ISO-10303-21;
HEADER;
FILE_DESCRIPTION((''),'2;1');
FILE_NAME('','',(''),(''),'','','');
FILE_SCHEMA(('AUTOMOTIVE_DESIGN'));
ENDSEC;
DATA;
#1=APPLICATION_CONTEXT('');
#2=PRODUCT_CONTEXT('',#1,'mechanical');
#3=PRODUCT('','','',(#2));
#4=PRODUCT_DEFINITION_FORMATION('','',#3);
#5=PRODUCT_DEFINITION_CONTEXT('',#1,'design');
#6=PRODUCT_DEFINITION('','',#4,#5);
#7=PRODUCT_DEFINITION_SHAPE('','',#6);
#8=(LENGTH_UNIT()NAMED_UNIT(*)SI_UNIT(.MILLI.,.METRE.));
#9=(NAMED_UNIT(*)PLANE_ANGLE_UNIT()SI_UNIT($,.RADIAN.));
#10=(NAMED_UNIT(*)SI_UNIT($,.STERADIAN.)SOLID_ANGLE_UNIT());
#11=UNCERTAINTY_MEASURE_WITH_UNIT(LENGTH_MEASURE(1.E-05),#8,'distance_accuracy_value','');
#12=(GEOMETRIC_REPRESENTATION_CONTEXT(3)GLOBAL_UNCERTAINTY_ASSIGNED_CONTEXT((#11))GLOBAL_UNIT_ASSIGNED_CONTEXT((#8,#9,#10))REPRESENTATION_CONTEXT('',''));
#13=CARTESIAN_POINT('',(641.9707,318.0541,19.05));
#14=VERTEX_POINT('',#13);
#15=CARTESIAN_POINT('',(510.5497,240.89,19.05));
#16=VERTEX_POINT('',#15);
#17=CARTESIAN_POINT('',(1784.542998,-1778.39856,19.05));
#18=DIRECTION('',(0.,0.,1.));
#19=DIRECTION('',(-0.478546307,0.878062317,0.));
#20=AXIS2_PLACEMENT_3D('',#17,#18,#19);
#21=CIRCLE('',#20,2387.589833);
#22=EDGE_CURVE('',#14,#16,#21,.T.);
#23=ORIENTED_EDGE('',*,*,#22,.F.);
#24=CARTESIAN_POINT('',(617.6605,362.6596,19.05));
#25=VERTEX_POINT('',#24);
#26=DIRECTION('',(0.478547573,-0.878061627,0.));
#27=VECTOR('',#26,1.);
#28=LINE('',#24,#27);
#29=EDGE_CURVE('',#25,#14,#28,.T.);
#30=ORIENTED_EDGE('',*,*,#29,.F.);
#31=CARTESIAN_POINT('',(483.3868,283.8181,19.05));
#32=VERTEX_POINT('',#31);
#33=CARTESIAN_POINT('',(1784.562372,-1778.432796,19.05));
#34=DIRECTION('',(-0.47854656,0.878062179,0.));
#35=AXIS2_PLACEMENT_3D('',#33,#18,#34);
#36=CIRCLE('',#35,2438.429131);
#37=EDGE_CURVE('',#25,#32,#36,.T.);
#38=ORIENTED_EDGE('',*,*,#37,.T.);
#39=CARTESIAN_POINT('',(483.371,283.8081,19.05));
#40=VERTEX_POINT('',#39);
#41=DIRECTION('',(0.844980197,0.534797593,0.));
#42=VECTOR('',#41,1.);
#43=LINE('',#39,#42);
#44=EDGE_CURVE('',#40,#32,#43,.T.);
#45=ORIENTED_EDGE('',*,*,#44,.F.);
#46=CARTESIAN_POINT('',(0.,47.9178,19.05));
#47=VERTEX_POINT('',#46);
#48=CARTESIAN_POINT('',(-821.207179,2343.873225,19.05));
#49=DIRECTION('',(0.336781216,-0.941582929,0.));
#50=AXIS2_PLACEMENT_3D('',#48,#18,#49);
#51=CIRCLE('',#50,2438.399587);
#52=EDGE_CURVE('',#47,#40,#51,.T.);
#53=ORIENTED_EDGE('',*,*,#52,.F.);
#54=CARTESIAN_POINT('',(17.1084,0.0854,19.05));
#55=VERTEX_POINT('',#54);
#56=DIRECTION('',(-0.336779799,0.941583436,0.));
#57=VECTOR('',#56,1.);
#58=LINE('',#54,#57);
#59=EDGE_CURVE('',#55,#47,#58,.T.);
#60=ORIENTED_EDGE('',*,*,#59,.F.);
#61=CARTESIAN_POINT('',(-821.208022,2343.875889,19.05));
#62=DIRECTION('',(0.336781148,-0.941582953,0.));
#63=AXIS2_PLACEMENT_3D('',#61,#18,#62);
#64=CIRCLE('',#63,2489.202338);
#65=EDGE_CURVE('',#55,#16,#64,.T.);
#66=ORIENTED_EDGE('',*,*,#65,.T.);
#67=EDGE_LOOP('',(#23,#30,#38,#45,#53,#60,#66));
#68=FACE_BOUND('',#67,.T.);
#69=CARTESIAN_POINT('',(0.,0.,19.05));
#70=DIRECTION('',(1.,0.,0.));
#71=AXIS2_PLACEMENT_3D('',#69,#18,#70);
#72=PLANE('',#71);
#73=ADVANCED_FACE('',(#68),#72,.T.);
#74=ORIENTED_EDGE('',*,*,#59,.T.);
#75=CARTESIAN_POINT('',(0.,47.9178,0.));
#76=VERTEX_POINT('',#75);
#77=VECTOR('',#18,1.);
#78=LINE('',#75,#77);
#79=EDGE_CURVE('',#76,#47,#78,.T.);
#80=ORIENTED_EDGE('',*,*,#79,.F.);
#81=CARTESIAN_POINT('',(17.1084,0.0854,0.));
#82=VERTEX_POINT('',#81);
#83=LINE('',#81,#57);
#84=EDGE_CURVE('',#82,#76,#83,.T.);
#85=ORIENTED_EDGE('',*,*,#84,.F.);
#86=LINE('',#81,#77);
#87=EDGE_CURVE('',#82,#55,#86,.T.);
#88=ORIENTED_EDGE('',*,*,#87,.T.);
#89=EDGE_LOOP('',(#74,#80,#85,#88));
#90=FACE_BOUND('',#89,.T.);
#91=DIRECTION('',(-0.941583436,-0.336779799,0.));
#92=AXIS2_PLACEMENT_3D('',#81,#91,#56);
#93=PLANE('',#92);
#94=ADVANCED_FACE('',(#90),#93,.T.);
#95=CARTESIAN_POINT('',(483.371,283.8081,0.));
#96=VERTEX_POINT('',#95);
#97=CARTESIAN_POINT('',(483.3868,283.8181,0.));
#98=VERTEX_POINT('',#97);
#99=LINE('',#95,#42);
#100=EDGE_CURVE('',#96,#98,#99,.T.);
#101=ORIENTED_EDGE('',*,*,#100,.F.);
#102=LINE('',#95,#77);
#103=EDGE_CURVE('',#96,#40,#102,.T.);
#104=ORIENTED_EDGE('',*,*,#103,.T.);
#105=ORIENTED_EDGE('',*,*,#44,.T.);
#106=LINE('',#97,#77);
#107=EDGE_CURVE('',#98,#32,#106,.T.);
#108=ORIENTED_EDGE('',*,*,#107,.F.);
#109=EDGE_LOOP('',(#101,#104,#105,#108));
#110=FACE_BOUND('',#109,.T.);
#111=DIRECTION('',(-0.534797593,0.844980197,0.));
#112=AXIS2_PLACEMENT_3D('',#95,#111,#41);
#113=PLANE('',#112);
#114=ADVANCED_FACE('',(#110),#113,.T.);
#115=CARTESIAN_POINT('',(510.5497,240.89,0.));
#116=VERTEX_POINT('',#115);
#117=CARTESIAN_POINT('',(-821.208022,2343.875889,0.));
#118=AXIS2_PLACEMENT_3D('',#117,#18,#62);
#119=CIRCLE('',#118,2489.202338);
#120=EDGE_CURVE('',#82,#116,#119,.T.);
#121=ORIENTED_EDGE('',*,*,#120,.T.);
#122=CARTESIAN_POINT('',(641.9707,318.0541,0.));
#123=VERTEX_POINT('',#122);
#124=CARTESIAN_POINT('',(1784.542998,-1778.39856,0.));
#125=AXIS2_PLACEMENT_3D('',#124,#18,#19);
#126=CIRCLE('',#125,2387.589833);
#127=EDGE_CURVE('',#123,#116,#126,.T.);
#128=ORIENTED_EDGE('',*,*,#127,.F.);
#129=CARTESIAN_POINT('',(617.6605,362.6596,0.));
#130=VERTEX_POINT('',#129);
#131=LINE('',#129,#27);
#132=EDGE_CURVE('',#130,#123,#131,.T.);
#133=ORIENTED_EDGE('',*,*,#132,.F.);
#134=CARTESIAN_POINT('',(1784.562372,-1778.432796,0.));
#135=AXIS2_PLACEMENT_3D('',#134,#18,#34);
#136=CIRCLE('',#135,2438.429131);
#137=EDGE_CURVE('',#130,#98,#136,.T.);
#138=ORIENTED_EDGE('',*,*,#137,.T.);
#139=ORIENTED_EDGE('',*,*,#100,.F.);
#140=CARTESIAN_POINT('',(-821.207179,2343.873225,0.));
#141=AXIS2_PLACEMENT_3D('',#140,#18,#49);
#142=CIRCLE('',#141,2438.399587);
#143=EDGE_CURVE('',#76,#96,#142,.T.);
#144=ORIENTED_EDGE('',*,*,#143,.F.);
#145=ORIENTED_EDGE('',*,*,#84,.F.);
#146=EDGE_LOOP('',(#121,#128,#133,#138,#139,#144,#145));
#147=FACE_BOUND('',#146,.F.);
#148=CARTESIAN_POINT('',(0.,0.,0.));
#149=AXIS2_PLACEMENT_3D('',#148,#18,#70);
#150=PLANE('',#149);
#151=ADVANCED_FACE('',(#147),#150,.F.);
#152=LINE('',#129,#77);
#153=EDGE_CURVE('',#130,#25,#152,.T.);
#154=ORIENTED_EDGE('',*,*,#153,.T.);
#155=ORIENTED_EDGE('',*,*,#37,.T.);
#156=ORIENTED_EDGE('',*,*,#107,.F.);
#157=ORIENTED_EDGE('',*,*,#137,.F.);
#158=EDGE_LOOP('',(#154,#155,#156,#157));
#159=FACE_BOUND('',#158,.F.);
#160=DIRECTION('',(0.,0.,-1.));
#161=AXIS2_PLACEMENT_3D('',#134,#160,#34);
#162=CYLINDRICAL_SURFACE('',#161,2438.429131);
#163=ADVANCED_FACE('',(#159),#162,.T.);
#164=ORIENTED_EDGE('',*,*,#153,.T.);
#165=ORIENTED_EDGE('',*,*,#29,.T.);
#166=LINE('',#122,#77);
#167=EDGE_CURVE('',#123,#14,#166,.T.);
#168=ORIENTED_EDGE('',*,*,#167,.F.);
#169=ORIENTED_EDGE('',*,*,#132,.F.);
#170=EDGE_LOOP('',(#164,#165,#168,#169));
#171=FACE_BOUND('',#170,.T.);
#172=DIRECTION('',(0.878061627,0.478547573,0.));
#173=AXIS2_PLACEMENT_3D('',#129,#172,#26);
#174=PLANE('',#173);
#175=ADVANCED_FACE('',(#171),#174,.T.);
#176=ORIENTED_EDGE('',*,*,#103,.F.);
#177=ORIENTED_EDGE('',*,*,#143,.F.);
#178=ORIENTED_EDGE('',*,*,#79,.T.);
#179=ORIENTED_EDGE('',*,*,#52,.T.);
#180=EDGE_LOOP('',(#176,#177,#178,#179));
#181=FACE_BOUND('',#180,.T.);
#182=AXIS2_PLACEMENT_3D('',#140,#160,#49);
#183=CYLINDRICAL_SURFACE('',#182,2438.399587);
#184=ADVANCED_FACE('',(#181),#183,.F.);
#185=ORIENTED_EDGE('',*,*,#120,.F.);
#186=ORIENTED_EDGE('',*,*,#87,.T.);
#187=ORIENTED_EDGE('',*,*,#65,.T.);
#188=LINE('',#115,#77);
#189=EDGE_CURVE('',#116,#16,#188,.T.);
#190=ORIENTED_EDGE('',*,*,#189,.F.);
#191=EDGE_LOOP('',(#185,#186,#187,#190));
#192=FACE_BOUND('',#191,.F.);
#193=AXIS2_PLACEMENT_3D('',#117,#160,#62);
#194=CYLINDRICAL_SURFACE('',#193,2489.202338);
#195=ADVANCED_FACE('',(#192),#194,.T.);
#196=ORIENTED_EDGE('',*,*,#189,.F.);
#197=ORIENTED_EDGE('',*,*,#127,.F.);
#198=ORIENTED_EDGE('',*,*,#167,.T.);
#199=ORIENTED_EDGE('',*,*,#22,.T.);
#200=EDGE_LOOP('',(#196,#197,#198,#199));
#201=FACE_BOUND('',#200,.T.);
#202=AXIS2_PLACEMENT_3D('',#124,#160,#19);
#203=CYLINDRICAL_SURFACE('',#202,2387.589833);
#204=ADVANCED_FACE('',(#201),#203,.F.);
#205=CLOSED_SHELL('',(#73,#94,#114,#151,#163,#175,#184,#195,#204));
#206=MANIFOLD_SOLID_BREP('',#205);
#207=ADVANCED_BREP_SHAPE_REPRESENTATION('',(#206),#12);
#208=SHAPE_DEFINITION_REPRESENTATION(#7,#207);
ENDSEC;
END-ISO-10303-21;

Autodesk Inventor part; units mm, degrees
ref_plane "YZ Plane" through (0, 0, 0) normal (1, 0, 0) x (0, 1, 0)
ref_plane "XZ Plane" through (0, 0, 0) normal (0, 1, 0) x (-1, 0, 0)
ref_plane "XY Plane" through (0, 0, 0) normal (0, 0, 1) x (1, 0, 0)
sketch "Sketch1" plane through (0, 0, 0) normal (0, 0, 1) x (1, 0, 0)
  arc A0 (0, 47.9178) -> (483.371, 283.8081) centre (-821.207, 2343.8728) ccw
  line L0 (483.371, 283.8081) -> (483.3868, 283.8181)
  arc A1 (617.6605, 362.6596) -> (483.3868, 283.8181) centre (1784.548, -1778.4074) ccw
  line L1 (617.6605, 362.6596) -> (641.9707, 318.0541)
  arc A2 (641.9707, 318.0541) -> (510.5497, 240.89) centre (1784.548, -1778.4074) ccw
  arc A3 (17.1084, 0.0854) -> (510.5497, 240.89) centre (-821.2071, 2343.8737) ccw
  line L2 (17.1084, 0.0854) -> (0, 47.9178)
extrude "Extrusion1" add sketch "Sketch1" along normal blind 19.05
properties part number "nd-g"
